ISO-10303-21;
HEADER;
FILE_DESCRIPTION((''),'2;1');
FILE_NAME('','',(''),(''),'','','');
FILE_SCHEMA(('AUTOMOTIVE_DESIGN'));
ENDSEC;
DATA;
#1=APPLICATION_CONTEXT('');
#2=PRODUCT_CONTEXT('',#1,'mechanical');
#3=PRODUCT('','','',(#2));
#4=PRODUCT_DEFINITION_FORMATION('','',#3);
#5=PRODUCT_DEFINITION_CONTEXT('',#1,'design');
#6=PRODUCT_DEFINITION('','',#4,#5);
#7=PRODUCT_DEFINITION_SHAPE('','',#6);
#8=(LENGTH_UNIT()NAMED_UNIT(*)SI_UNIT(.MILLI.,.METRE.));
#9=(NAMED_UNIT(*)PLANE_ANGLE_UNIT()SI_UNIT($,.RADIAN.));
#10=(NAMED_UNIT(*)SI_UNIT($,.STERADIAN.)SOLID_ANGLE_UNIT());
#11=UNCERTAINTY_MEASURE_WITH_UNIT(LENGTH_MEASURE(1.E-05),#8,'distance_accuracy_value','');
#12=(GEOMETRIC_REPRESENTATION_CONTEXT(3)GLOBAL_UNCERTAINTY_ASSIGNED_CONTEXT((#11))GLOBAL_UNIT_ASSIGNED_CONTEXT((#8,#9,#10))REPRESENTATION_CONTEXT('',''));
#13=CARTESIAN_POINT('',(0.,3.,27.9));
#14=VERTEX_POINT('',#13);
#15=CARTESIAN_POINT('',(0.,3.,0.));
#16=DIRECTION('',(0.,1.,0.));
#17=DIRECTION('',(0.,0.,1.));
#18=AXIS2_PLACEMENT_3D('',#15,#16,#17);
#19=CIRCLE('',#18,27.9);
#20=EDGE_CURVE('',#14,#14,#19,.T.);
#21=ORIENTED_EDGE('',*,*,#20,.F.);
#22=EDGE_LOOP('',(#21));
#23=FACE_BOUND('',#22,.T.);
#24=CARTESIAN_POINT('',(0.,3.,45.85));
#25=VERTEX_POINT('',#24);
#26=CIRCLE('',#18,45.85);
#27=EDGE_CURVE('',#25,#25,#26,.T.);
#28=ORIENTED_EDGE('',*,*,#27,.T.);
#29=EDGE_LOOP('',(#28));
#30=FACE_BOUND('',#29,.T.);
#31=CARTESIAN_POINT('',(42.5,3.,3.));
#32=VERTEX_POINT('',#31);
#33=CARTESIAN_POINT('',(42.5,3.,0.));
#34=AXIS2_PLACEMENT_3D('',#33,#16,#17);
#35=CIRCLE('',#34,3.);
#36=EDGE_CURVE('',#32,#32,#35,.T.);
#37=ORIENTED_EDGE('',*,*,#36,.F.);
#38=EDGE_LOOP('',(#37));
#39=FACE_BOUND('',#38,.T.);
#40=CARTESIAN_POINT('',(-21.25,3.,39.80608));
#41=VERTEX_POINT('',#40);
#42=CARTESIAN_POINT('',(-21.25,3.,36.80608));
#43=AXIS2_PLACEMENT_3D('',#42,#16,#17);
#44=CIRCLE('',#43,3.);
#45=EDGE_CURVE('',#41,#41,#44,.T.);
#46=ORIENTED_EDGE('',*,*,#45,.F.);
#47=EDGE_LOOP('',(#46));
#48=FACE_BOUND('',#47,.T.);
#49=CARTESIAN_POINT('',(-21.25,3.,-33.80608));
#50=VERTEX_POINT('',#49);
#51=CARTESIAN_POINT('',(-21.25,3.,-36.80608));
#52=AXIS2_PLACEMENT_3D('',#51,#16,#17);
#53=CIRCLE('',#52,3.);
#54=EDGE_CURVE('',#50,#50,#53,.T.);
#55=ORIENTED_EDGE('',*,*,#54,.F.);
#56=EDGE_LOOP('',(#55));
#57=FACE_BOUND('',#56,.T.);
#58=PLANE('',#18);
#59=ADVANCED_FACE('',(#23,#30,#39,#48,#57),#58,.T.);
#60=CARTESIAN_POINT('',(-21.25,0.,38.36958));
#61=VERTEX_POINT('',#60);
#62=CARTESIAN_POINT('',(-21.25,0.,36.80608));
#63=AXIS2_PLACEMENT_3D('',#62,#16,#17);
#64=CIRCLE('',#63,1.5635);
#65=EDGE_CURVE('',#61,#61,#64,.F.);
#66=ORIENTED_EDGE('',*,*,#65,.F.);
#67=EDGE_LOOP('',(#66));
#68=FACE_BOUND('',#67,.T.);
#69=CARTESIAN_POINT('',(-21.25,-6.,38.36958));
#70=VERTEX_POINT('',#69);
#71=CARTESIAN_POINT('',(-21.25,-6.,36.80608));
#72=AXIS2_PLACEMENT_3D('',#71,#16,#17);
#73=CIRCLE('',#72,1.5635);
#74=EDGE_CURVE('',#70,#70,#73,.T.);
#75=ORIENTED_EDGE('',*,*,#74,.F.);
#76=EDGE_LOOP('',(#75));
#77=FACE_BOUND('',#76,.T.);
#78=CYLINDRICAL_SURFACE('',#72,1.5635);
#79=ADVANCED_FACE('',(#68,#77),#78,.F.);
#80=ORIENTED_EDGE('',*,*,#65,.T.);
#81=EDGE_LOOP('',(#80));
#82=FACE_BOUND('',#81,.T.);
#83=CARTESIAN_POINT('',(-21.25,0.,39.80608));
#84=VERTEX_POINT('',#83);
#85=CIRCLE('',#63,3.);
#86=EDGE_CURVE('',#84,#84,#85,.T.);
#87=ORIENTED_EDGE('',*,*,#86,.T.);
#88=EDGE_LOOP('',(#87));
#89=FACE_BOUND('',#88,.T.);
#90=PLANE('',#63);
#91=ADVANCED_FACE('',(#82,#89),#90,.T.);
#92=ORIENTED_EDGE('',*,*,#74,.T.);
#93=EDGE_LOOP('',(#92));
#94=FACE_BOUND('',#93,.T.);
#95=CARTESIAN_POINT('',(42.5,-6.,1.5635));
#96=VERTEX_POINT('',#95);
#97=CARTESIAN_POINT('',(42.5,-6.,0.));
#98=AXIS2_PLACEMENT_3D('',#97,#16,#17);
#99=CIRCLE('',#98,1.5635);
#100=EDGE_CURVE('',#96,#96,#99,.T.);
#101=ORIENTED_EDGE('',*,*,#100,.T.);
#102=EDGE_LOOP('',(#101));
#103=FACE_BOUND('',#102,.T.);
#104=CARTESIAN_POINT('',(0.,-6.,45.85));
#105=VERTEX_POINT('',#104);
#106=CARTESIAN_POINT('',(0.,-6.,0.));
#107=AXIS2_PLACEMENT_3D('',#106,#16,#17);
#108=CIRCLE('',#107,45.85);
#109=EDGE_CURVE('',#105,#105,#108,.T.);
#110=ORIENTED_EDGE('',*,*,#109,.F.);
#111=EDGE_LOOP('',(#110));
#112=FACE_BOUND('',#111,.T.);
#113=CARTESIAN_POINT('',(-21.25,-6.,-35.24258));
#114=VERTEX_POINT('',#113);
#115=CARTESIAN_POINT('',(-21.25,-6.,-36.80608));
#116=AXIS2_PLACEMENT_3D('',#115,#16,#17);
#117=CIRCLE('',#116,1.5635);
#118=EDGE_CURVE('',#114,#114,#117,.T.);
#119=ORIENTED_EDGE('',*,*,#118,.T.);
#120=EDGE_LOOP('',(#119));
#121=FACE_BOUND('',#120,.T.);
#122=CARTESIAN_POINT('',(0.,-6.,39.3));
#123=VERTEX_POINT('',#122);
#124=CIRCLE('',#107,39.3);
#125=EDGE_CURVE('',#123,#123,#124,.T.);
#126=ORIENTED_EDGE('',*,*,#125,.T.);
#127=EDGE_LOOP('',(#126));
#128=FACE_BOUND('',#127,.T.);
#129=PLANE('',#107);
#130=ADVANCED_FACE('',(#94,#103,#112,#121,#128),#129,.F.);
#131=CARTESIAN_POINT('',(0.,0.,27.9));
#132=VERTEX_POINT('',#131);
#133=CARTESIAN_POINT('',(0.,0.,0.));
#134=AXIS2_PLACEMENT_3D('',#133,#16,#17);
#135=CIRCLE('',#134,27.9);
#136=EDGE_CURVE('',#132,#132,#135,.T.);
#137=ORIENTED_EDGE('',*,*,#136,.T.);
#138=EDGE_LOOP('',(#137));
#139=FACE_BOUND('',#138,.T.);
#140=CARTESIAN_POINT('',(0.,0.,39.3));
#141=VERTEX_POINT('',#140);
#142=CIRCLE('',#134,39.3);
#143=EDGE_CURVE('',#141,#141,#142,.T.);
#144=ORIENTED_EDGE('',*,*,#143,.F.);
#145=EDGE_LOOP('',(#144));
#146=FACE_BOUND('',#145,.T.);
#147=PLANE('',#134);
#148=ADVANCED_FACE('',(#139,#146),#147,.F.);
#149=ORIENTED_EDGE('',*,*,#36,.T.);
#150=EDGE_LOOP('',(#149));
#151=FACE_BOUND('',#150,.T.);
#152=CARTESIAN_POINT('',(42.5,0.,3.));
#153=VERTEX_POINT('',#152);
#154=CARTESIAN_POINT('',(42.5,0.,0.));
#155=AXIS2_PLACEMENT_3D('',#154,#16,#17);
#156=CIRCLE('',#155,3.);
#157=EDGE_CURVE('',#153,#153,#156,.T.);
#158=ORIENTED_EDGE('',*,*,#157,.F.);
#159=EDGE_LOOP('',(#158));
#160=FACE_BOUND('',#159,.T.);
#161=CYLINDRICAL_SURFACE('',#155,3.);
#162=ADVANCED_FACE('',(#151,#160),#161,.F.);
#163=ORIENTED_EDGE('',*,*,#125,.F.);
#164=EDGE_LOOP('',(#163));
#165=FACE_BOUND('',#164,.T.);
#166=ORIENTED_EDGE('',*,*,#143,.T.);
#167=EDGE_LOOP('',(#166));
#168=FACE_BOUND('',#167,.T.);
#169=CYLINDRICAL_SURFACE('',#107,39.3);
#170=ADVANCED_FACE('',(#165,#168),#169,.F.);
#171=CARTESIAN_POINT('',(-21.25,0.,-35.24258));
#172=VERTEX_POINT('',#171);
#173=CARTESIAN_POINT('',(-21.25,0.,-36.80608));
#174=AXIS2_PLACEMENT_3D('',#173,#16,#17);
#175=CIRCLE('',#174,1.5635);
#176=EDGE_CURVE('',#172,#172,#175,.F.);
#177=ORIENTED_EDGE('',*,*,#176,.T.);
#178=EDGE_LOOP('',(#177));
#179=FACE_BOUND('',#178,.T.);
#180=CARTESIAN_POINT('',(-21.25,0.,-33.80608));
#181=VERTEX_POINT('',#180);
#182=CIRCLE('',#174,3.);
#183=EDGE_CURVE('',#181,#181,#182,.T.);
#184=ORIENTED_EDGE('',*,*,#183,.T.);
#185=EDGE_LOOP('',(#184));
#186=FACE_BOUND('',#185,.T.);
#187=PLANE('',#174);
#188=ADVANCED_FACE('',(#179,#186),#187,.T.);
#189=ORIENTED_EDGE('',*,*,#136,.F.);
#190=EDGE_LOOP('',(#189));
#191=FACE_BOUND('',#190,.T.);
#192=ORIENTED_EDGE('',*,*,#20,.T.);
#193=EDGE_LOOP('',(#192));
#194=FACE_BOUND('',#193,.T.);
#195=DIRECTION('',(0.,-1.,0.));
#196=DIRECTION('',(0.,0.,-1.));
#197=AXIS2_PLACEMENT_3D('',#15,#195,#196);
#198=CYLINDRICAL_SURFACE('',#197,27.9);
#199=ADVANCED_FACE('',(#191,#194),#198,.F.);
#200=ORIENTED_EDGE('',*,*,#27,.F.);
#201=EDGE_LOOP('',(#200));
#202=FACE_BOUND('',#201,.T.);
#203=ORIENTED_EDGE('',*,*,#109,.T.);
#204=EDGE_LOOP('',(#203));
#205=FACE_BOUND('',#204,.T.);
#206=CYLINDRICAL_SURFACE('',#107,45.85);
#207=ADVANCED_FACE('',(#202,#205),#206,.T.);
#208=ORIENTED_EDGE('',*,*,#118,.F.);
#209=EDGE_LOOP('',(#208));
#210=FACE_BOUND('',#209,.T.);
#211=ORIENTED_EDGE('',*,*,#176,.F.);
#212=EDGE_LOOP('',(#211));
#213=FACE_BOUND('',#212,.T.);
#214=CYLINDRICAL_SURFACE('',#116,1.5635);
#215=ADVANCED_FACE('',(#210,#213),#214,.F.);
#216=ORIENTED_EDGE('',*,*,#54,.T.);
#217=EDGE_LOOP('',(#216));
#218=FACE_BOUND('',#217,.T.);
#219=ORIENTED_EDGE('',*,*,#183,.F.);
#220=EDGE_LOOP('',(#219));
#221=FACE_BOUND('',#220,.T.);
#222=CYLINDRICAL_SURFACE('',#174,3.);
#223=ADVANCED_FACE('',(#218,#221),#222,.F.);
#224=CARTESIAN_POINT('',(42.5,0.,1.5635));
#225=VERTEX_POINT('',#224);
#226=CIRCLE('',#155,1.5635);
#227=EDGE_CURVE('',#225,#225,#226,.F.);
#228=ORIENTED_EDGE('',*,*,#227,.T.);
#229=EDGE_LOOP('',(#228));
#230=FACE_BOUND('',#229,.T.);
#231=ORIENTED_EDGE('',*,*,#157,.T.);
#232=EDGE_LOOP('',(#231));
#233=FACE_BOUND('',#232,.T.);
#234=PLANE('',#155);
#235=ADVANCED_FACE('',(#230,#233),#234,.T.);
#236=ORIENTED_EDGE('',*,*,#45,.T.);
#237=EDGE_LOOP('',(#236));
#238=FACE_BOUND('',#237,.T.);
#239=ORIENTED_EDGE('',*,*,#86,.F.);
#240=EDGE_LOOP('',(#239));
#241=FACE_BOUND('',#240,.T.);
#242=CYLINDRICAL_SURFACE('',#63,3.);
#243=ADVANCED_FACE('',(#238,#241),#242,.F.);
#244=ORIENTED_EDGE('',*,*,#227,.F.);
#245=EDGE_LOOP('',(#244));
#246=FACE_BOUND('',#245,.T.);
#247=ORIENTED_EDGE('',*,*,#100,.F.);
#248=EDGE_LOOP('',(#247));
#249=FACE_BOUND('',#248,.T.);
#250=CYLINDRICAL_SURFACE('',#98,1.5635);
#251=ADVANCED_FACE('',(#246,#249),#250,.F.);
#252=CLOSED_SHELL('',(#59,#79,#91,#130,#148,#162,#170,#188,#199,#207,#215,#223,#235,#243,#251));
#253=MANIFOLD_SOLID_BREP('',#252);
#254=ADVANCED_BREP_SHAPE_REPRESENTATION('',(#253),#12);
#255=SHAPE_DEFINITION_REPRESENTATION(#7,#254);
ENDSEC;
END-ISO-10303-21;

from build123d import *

# Parameters (mm, degrees)
SKETCH1_R           = 45.85
SKETCH1_R_2         = 1.5635
SKETCH1_R_3         = 39.3
BOSS_EXTRUDE1_DEPTH = 6
BOSS_EXTRUDE2_START = 3
SKETCH1_4_R         = 45.85
SKETCH1_4_R_2       = 1.5635
SKETCH1_4_R_3       = 27.9
BOSS_EXTRUDE2_DEPTH = 3
SKETCH2_R           = 3
CUT_EXTRUDE1_DEPTH  = 3


with BuildPart() as part:
    # Sketch1 → Boss-Extrude1 (new body)
    with BuildSketch(Plane(origin=(0, 0, 0), x_dir=(1, 0, 0), z_dir=(0, 1, 0))):
        Circle(SKETCH1_R)
        with Locations((-21.25, -36.806079661)):
            Circle(SKETCH1_R_2, mode=Mode.SUBTRACT)
        with Locations((-21.25, 36.806079661)):
            Circle(SKETCH1_R_2, mode=Mode.SUBTRACT)
        Circle(SKETCH1_R_3, mode=Mode.SUBTRACT)
        with Locations((42.5, 0)):
            Circle(SKETCH1_R_2, mode=Mode.SUBTRACT)
    extrude(amount=-BOSS_EXTRUDE1_DEPTH)

    # Sketch1<4> → Boss-Extrude2 (add)
    with BuildSketch(Plane(origin=(0, 0, 0), x_dir=(1, 0, 0), z_dir=(0, 1, 0)).offset(BOSS_EXTRUDE2_START)):
        Circle(SKETCH1_4_R)
        with Locations((-21.25, -36.806079661)):
            Circle(SKETCH1_4_R_2, mode=Mode.SUBTRACT)
        with Locations((-21.25, 36.806079661)):
            Circle(SKETCH1_4_R_2, mode=Mode.SUBTRACT)
        with Locations((42.5, 0)):
            Circle(SKETCH1_4_R_2, mode=Mode.SUBTRACT)
        Circle(SKETCH1_4_R_3, mode=Mode.SUBTRACT)
    extrude(amount=-BOSS_EXTRUDE2_DEPTH)

    # Sketch2 → Cut-Extrude1 (cut)
    with BuildSketch(Plane(origin=(0, 3, 0), x_dir=(1, 0, 0), z_dir=(0, 1, 0))):
        with Locations((42.5, 0)):
            Circle(SKETCH2_R)
        with Locations((-21.25, -36.806079661)):
            Circle(SKETCH2_R)
        with Locations((-21.25, 36.806079661)):
            Circle(SKETCH2_R)
    extrude(amount=-CUT_EXTRUDE1_DEPTH, mode=Mode.SUBTRACT)


solid = part.part
